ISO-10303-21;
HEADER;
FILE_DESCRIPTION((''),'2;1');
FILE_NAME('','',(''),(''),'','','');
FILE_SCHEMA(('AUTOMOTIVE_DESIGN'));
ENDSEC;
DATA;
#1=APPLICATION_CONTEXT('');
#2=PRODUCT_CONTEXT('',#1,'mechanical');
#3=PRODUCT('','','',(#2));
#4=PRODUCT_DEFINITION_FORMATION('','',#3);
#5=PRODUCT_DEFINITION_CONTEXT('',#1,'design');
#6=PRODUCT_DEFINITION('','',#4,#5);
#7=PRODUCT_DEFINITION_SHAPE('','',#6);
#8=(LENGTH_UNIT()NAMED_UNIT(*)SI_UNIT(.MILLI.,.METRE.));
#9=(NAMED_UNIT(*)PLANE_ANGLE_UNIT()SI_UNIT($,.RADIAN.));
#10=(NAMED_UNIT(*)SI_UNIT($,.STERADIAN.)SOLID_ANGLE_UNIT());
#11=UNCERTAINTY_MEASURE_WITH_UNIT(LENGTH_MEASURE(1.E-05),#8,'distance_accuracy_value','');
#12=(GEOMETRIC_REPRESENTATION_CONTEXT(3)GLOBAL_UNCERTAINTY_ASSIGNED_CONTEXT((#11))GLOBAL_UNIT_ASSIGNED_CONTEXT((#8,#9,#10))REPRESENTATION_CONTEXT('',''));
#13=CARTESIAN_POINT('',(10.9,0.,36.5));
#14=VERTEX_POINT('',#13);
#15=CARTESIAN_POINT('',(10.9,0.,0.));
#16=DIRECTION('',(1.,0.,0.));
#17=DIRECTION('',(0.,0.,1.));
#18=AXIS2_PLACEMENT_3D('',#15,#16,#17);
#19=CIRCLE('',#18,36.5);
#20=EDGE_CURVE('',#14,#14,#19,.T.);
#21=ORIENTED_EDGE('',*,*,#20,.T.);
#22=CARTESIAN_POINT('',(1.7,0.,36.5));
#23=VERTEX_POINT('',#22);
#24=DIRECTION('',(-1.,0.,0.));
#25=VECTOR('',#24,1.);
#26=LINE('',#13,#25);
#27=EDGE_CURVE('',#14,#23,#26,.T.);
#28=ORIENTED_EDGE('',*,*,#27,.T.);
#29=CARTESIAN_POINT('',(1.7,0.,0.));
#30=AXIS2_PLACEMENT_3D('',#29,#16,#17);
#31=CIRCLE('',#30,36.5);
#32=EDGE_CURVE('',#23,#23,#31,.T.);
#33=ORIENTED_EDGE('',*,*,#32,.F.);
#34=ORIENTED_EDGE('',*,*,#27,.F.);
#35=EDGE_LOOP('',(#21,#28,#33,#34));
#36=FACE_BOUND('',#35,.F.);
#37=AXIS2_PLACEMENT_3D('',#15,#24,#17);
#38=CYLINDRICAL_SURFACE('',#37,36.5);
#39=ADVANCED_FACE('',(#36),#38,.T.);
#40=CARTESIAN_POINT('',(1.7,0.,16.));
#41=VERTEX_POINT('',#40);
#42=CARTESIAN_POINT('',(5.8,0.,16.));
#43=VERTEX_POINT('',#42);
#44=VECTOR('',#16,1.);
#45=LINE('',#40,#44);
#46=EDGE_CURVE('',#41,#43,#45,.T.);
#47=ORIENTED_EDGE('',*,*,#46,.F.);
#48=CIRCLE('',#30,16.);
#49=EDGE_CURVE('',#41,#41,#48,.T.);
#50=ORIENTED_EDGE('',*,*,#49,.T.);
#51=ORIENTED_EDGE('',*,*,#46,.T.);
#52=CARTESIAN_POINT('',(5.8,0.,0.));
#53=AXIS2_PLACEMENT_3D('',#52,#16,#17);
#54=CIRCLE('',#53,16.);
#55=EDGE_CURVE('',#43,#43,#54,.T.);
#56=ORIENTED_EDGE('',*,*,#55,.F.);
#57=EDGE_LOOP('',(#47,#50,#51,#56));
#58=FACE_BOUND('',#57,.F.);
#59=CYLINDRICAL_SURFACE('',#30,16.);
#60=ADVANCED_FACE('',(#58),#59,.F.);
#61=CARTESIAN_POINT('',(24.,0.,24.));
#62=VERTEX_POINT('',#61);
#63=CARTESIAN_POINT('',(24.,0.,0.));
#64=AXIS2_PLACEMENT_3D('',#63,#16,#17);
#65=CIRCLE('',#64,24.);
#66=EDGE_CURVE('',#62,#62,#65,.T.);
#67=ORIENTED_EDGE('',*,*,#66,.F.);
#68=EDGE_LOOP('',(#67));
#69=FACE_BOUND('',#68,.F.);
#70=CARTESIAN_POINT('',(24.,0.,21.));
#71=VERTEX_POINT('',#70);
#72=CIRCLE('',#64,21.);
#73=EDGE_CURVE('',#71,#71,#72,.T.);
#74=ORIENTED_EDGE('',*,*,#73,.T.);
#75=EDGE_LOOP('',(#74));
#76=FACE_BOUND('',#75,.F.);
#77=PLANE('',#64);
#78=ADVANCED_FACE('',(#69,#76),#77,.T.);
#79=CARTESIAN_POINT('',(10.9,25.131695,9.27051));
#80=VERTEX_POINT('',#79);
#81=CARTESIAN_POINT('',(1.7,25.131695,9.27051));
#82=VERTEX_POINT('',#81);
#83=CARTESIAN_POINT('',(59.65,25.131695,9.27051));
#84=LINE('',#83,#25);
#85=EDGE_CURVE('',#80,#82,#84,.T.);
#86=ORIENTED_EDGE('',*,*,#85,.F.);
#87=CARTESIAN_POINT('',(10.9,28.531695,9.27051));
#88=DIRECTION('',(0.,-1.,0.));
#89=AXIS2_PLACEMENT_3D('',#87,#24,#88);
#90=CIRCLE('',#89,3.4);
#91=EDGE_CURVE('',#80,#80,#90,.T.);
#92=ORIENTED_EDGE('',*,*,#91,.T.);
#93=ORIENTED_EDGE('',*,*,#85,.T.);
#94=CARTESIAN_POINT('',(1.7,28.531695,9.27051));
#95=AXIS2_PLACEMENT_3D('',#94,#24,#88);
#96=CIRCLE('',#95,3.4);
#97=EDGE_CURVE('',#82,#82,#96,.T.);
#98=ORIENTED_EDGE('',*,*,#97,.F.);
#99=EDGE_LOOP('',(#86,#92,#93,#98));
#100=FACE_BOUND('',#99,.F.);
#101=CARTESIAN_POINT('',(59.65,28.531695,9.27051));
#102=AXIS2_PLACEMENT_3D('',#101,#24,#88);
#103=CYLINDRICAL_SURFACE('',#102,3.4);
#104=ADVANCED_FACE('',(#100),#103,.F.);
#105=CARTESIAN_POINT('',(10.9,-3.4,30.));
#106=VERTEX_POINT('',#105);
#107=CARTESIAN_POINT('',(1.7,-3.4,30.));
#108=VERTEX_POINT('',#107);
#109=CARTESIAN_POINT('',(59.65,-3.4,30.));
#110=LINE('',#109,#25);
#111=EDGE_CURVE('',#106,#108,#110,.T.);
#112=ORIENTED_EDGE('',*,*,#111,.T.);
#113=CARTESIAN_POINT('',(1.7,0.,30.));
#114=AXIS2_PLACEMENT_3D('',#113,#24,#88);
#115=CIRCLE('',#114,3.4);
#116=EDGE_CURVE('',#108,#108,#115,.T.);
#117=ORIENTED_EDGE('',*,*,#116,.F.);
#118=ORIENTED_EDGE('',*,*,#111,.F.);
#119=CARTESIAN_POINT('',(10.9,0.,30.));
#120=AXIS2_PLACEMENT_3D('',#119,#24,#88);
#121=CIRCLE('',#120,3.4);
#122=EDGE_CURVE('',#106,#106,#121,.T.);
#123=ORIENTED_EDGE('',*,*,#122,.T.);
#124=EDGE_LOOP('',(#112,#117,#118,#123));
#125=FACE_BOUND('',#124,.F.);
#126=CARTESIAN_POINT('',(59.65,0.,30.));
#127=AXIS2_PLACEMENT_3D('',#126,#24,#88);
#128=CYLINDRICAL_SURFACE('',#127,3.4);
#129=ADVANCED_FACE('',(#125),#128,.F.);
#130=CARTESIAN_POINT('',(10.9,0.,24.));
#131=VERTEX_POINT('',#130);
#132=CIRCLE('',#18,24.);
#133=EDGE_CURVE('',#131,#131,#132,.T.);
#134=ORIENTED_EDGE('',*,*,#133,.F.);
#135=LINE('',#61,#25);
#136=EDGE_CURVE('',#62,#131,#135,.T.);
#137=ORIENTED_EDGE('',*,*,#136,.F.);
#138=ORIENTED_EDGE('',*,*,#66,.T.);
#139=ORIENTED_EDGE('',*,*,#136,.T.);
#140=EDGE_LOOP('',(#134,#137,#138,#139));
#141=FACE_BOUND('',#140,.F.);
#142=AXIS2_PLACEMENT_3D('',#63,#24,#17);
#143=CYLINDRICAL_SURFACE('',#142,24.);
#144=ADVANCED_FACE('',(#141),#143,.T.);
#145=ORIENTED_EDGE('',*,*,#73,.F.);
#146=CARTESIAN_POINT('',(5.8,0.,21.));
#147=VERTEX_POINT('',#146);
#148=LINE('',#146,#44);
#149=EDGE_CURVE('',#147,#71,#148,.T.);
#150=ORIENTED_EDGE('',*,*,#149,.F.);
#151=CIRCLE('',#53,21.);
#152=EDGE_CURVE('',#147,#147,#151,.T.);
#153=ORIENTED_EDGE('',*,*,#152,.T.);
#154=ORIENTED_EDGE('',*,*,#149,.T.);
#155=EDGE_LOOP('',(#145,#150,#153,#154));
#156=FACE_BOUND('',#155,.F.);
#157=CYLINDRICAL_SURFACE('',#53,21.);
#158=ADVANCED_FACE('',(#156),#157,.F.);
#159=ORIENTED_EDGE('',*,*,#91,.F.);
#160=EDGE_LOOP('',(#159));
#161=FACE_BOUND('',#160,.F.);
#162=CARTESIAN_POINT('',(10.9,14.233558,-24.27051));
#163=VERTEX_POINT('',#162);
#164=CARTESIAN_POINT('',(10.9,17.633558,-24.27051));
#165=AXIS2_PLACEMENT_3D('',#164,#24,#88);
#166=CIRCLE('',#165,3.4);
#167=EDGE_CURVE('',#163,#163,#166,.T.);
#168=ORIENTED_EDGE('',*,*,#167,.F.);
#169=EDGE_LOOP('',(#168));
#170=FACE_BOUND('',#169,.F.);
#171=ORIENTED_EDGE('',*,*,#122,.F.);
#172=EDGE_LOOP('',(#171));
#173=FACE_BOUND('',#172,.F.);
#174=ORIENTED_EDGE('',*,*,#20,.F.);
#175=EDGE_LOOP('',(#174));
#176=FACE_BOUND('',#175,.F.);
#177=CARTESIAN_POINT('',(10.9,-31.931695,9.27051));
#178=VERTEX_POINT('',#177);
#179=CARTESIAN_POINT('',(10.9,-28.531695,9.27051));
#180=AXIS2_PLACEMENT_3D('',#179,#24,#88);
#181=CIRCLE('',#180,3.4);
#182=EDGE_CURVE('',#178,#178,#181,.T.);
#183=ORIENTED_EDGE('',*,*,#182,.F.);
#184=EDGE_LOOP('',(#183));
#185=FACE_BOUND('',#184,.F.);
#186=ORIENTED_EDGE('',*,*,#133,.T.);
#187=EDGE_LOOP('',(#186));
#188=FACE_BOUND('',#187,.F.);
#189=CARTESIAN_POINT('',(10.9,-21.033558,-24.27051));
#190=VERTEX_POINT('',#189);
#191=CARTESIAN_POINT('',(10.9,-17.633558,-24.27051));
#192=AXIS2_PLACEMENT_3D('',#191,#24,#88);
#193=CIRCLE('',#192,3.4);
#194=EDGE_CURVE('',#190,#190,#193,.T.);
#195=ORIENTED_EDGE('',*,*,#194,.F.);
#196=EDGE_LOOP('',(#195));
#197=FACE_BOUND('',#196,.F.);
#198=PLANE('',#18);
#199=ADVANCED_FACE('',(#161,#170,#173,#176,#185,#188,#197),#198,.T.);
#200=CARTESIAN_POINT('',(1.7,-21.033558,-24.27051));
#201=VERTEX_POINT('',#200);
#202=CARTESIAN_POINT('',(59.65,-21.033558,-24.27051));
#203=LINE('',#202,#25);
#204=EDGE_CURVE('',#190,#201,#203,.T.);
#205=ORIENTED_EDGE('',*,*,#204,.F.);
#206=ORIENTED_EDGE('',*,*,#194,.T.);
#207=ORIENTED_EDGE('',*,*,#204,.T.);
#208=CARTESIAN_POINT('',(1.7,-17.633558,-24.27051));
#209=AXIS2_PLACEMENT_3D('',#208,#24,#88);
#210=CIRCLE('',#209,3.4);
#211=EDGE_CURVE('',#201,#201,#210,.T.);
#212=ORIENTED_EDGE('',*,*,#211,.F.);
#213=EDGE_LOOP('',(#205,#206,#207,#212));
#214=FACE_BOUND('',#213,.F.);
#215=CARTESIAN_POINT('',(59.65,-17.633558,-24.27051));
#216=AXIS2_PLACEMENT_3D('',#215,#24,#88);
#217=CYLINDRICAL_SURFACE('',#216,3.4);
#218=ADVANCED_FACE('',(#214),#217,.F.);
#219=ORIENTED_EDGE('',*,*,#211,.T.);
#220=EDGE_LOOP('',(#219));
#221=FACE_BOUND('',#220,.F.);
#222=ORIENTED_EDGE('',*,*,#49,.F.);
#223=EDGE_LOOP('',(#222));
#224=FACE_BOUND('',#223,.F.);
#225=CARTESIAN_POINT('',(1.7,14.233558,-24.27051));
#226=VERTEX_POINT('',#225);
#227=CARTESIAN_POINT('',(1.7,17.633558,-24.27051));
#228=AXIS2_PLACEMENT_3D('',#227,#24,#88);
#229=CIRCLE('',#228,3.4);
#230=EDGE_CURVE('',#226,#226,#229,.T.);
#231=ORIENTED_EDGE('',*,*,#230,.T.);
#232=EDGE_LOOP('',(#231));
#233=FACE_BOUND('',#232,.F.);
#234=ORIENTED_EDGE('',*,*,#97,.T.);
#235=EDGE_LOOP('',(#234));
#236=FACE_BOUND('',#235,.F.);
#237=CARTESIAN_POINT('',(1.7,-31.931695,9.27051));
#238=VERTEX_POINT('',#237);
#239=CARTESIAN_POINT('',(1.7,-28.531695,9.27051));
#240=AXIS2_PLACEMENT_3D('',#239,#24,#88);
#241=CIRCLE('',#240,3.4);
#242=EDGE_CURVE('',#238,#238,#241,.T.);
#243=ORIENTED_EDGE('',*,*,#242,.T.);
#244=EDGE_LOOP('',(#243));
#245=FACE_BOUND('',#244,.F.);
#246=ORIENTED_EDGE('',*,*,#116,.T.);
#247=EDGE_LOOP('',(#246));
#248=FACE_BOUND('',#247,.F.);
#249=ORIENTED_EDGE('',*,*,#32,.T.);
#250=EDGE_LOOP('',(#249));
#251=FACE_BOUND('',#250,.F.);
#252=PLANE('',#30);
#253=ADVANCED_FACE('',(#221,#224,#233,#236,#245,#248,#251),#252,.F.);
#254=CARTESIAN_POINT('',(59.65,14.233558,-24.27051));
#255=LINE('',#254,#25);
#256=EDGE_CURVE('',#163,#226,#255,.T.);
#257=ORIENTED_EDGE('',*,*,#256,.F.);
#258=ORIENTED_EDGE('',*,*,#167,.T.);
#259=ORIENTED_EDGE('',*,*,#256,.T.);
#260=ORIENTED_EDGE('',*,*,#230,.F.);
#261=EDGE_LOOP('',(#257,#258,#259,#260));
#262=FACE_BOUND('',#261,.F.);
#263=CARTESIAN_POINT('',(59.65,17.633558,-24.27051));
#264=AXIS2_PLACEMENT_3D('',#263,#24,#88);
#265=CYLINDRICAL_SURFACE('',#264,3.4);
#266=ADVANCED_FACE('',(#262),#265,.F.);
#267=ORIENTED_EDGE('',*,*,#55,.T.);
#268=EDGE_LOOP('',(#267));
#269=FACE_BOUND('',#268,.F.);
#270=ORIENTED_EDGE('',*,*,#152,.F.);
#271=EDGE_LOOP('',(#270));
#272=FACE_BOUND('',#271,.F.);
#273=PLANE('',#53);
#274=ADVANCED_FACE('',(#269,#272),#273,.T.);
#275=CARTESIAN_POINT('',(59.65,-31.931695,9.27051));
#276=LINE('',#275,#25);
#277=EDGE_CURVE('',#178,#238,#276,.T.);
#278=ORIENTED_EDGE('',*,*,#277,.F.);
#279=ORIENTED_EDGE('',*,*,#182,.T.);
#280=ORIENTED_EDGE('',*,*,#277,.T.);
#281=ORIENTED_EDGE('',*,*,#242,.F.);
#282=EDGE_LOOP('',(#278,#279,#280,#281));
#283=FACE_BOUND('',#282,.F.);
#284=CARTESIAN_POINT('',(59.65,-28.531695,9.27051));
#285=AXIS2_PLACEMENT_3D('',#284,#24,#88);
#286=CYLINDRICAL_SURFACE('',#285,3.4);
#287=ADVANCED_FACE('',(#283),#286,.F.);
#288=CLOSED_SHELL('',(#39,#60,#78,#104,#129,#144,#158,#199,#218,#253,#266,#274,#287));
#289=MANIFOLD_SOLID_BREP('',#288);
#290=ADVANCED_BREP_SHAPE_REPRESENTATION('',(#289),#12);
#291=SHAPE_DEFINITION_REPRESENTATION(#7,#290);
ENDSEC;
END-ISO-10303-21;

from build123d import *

# Parameters (mm, degrees)
F3_D     = 6.8
F3_DEPTH = 48.75
F3_TIP   = 2.0429261047


with BuildPart() as f1:
    # F0 (on Front) → F1 (revolve)
    with BuildSketch(Plane.XZ):
        Polygon((5.8, 16), (5.8, 21), (24, 21), (24, 24), (10.9, 24), (10.9, 36.5), (1.7, 36.5), (1.7, 16), align=None)
    revolve(axis=Axis((18.4429697692, 0, 0), (1, 0, 0)))

    # F3
    with Locations(Plane.YZ.offset(10.9)):
        with Locations((0, 30), (28.5316954889, 9.2705098312), (17.6335575688, -24.2705098312), (-17.6335575688, -24.2705098312), (-28.5316954889, 9.2705098312)):
            Hole(F3_D / 2, depth=F3_DEPTH)
            with Locations((0, 0, -(F3_DEPTH + F3_TIP / 2))):  # 118° drill point
                Cone(0, F3_D / 2, F3_TIP, mode=Mode.SUBTRACT)


solid = f1.part
